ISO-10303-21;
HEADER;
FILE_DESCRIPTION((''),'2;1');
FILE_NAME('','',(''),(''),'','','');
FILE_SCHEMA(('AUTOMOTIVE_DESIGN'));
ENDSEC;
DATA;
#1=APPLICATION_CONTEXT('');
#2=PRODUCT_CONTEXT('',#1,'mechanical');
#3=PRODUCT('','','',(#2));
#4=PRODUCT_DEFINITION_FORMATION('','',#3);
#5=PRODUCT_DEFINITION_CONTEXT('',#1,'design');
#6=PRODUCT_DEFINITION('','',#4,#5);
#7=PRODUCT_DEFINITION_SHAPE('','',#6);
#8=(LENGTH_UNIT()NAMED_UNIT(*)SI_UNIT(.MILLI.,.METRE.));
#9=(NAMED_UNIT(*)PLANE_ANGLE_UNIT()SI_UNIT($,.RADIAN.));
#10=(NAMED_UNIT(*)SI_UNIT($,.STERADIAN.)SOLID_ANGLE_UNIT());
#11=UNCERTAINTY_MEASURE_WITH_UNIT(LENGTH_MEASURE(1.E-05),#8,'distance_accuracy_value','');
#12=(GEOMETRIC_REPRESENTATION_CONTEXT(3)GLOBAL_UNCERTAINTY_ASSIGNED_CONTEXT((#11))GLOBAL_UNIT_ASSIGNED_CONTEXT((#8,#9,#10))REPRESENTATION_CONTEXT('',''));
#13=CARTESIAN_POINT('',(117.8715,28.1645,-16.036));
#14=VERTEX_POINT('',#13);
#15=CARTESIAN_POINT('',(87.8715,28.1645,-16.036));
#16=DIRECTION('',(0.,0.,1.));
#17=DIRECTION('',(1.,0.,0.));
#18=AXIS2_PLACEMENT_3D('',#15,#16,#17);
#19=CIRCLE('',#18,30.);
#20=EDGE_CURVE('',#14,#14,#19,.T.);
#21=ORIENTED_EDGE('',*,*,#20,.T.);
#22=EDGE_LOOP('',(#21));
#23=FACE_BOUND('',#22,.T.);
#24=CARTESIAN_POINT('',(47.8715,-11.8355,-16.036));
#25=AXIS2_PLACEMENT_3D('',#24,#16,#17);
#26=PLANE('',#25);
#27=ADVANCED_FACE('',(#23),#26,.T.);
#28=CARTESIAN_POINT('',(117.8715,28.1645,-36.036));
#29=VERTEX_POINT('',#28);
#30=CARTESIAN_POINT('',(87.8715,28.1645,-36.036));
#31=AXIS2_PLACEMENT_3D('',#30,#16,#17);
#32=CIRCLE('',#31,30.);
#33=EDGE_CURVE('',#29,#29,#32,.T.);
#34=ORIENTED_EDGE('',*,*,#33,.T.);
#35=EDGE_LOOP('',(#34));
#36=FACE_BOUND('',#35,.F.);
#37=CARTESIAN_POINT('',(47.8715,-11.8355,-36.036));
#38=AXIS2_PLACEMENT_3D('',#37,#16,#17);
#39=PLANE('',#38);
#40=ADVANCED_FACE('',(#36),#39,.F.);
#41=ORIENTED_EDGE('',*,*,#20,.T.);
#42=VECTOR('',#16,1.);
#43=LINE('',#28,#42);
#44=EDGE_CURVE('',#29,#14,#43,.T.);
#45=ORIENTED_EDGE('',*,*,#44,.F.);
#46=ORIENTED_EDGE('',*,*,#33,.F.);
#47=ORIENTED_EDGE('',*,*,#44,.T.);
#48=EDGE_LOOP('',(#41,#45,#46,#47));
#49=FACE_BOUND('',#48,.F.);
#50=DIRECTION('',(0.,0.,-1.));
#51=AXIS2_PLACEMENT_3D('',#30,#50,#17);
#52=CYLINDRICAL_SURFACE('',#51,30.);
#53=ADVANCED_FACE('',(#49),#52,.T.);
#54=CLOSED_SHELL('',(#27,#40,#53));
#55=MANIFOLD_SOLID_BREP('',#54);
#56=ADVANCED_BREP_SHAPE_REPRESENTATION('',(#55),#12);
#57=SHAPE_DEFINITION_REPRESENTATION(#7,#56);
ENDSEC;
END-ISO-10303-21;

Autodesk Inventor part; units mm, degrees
ref_plane "YZ Plane" through (0, 0, 0) normal (1, 0, 0) x (0, 1, 0)
ref_plane "XZ Plane" through (0, 0, 0) normal (0, 1, 0) x (-1, 0, 0)
ref_plane "XY Plane" through (0, 0, 0) normal (0, 0, 1) x (1, 0, 0)
ref_plane "Work Plane1" through (47.8715, -11.8355, -36.036) normal (0, 0, 1) x (1, 0, 0)
sketch "Sketch1" plane through (47.8715, -11.8355, -36.036) normal (0, 0, 1) x (1, 0, 0)
  circle A0 centre (40, 40) radius 30
  point P0 (-47.8715, 11.8355)
extrude "Extrusion1" add sketch "Sketch1" along normal blind 20
properties part number "CE-8.2.2-01-002"
